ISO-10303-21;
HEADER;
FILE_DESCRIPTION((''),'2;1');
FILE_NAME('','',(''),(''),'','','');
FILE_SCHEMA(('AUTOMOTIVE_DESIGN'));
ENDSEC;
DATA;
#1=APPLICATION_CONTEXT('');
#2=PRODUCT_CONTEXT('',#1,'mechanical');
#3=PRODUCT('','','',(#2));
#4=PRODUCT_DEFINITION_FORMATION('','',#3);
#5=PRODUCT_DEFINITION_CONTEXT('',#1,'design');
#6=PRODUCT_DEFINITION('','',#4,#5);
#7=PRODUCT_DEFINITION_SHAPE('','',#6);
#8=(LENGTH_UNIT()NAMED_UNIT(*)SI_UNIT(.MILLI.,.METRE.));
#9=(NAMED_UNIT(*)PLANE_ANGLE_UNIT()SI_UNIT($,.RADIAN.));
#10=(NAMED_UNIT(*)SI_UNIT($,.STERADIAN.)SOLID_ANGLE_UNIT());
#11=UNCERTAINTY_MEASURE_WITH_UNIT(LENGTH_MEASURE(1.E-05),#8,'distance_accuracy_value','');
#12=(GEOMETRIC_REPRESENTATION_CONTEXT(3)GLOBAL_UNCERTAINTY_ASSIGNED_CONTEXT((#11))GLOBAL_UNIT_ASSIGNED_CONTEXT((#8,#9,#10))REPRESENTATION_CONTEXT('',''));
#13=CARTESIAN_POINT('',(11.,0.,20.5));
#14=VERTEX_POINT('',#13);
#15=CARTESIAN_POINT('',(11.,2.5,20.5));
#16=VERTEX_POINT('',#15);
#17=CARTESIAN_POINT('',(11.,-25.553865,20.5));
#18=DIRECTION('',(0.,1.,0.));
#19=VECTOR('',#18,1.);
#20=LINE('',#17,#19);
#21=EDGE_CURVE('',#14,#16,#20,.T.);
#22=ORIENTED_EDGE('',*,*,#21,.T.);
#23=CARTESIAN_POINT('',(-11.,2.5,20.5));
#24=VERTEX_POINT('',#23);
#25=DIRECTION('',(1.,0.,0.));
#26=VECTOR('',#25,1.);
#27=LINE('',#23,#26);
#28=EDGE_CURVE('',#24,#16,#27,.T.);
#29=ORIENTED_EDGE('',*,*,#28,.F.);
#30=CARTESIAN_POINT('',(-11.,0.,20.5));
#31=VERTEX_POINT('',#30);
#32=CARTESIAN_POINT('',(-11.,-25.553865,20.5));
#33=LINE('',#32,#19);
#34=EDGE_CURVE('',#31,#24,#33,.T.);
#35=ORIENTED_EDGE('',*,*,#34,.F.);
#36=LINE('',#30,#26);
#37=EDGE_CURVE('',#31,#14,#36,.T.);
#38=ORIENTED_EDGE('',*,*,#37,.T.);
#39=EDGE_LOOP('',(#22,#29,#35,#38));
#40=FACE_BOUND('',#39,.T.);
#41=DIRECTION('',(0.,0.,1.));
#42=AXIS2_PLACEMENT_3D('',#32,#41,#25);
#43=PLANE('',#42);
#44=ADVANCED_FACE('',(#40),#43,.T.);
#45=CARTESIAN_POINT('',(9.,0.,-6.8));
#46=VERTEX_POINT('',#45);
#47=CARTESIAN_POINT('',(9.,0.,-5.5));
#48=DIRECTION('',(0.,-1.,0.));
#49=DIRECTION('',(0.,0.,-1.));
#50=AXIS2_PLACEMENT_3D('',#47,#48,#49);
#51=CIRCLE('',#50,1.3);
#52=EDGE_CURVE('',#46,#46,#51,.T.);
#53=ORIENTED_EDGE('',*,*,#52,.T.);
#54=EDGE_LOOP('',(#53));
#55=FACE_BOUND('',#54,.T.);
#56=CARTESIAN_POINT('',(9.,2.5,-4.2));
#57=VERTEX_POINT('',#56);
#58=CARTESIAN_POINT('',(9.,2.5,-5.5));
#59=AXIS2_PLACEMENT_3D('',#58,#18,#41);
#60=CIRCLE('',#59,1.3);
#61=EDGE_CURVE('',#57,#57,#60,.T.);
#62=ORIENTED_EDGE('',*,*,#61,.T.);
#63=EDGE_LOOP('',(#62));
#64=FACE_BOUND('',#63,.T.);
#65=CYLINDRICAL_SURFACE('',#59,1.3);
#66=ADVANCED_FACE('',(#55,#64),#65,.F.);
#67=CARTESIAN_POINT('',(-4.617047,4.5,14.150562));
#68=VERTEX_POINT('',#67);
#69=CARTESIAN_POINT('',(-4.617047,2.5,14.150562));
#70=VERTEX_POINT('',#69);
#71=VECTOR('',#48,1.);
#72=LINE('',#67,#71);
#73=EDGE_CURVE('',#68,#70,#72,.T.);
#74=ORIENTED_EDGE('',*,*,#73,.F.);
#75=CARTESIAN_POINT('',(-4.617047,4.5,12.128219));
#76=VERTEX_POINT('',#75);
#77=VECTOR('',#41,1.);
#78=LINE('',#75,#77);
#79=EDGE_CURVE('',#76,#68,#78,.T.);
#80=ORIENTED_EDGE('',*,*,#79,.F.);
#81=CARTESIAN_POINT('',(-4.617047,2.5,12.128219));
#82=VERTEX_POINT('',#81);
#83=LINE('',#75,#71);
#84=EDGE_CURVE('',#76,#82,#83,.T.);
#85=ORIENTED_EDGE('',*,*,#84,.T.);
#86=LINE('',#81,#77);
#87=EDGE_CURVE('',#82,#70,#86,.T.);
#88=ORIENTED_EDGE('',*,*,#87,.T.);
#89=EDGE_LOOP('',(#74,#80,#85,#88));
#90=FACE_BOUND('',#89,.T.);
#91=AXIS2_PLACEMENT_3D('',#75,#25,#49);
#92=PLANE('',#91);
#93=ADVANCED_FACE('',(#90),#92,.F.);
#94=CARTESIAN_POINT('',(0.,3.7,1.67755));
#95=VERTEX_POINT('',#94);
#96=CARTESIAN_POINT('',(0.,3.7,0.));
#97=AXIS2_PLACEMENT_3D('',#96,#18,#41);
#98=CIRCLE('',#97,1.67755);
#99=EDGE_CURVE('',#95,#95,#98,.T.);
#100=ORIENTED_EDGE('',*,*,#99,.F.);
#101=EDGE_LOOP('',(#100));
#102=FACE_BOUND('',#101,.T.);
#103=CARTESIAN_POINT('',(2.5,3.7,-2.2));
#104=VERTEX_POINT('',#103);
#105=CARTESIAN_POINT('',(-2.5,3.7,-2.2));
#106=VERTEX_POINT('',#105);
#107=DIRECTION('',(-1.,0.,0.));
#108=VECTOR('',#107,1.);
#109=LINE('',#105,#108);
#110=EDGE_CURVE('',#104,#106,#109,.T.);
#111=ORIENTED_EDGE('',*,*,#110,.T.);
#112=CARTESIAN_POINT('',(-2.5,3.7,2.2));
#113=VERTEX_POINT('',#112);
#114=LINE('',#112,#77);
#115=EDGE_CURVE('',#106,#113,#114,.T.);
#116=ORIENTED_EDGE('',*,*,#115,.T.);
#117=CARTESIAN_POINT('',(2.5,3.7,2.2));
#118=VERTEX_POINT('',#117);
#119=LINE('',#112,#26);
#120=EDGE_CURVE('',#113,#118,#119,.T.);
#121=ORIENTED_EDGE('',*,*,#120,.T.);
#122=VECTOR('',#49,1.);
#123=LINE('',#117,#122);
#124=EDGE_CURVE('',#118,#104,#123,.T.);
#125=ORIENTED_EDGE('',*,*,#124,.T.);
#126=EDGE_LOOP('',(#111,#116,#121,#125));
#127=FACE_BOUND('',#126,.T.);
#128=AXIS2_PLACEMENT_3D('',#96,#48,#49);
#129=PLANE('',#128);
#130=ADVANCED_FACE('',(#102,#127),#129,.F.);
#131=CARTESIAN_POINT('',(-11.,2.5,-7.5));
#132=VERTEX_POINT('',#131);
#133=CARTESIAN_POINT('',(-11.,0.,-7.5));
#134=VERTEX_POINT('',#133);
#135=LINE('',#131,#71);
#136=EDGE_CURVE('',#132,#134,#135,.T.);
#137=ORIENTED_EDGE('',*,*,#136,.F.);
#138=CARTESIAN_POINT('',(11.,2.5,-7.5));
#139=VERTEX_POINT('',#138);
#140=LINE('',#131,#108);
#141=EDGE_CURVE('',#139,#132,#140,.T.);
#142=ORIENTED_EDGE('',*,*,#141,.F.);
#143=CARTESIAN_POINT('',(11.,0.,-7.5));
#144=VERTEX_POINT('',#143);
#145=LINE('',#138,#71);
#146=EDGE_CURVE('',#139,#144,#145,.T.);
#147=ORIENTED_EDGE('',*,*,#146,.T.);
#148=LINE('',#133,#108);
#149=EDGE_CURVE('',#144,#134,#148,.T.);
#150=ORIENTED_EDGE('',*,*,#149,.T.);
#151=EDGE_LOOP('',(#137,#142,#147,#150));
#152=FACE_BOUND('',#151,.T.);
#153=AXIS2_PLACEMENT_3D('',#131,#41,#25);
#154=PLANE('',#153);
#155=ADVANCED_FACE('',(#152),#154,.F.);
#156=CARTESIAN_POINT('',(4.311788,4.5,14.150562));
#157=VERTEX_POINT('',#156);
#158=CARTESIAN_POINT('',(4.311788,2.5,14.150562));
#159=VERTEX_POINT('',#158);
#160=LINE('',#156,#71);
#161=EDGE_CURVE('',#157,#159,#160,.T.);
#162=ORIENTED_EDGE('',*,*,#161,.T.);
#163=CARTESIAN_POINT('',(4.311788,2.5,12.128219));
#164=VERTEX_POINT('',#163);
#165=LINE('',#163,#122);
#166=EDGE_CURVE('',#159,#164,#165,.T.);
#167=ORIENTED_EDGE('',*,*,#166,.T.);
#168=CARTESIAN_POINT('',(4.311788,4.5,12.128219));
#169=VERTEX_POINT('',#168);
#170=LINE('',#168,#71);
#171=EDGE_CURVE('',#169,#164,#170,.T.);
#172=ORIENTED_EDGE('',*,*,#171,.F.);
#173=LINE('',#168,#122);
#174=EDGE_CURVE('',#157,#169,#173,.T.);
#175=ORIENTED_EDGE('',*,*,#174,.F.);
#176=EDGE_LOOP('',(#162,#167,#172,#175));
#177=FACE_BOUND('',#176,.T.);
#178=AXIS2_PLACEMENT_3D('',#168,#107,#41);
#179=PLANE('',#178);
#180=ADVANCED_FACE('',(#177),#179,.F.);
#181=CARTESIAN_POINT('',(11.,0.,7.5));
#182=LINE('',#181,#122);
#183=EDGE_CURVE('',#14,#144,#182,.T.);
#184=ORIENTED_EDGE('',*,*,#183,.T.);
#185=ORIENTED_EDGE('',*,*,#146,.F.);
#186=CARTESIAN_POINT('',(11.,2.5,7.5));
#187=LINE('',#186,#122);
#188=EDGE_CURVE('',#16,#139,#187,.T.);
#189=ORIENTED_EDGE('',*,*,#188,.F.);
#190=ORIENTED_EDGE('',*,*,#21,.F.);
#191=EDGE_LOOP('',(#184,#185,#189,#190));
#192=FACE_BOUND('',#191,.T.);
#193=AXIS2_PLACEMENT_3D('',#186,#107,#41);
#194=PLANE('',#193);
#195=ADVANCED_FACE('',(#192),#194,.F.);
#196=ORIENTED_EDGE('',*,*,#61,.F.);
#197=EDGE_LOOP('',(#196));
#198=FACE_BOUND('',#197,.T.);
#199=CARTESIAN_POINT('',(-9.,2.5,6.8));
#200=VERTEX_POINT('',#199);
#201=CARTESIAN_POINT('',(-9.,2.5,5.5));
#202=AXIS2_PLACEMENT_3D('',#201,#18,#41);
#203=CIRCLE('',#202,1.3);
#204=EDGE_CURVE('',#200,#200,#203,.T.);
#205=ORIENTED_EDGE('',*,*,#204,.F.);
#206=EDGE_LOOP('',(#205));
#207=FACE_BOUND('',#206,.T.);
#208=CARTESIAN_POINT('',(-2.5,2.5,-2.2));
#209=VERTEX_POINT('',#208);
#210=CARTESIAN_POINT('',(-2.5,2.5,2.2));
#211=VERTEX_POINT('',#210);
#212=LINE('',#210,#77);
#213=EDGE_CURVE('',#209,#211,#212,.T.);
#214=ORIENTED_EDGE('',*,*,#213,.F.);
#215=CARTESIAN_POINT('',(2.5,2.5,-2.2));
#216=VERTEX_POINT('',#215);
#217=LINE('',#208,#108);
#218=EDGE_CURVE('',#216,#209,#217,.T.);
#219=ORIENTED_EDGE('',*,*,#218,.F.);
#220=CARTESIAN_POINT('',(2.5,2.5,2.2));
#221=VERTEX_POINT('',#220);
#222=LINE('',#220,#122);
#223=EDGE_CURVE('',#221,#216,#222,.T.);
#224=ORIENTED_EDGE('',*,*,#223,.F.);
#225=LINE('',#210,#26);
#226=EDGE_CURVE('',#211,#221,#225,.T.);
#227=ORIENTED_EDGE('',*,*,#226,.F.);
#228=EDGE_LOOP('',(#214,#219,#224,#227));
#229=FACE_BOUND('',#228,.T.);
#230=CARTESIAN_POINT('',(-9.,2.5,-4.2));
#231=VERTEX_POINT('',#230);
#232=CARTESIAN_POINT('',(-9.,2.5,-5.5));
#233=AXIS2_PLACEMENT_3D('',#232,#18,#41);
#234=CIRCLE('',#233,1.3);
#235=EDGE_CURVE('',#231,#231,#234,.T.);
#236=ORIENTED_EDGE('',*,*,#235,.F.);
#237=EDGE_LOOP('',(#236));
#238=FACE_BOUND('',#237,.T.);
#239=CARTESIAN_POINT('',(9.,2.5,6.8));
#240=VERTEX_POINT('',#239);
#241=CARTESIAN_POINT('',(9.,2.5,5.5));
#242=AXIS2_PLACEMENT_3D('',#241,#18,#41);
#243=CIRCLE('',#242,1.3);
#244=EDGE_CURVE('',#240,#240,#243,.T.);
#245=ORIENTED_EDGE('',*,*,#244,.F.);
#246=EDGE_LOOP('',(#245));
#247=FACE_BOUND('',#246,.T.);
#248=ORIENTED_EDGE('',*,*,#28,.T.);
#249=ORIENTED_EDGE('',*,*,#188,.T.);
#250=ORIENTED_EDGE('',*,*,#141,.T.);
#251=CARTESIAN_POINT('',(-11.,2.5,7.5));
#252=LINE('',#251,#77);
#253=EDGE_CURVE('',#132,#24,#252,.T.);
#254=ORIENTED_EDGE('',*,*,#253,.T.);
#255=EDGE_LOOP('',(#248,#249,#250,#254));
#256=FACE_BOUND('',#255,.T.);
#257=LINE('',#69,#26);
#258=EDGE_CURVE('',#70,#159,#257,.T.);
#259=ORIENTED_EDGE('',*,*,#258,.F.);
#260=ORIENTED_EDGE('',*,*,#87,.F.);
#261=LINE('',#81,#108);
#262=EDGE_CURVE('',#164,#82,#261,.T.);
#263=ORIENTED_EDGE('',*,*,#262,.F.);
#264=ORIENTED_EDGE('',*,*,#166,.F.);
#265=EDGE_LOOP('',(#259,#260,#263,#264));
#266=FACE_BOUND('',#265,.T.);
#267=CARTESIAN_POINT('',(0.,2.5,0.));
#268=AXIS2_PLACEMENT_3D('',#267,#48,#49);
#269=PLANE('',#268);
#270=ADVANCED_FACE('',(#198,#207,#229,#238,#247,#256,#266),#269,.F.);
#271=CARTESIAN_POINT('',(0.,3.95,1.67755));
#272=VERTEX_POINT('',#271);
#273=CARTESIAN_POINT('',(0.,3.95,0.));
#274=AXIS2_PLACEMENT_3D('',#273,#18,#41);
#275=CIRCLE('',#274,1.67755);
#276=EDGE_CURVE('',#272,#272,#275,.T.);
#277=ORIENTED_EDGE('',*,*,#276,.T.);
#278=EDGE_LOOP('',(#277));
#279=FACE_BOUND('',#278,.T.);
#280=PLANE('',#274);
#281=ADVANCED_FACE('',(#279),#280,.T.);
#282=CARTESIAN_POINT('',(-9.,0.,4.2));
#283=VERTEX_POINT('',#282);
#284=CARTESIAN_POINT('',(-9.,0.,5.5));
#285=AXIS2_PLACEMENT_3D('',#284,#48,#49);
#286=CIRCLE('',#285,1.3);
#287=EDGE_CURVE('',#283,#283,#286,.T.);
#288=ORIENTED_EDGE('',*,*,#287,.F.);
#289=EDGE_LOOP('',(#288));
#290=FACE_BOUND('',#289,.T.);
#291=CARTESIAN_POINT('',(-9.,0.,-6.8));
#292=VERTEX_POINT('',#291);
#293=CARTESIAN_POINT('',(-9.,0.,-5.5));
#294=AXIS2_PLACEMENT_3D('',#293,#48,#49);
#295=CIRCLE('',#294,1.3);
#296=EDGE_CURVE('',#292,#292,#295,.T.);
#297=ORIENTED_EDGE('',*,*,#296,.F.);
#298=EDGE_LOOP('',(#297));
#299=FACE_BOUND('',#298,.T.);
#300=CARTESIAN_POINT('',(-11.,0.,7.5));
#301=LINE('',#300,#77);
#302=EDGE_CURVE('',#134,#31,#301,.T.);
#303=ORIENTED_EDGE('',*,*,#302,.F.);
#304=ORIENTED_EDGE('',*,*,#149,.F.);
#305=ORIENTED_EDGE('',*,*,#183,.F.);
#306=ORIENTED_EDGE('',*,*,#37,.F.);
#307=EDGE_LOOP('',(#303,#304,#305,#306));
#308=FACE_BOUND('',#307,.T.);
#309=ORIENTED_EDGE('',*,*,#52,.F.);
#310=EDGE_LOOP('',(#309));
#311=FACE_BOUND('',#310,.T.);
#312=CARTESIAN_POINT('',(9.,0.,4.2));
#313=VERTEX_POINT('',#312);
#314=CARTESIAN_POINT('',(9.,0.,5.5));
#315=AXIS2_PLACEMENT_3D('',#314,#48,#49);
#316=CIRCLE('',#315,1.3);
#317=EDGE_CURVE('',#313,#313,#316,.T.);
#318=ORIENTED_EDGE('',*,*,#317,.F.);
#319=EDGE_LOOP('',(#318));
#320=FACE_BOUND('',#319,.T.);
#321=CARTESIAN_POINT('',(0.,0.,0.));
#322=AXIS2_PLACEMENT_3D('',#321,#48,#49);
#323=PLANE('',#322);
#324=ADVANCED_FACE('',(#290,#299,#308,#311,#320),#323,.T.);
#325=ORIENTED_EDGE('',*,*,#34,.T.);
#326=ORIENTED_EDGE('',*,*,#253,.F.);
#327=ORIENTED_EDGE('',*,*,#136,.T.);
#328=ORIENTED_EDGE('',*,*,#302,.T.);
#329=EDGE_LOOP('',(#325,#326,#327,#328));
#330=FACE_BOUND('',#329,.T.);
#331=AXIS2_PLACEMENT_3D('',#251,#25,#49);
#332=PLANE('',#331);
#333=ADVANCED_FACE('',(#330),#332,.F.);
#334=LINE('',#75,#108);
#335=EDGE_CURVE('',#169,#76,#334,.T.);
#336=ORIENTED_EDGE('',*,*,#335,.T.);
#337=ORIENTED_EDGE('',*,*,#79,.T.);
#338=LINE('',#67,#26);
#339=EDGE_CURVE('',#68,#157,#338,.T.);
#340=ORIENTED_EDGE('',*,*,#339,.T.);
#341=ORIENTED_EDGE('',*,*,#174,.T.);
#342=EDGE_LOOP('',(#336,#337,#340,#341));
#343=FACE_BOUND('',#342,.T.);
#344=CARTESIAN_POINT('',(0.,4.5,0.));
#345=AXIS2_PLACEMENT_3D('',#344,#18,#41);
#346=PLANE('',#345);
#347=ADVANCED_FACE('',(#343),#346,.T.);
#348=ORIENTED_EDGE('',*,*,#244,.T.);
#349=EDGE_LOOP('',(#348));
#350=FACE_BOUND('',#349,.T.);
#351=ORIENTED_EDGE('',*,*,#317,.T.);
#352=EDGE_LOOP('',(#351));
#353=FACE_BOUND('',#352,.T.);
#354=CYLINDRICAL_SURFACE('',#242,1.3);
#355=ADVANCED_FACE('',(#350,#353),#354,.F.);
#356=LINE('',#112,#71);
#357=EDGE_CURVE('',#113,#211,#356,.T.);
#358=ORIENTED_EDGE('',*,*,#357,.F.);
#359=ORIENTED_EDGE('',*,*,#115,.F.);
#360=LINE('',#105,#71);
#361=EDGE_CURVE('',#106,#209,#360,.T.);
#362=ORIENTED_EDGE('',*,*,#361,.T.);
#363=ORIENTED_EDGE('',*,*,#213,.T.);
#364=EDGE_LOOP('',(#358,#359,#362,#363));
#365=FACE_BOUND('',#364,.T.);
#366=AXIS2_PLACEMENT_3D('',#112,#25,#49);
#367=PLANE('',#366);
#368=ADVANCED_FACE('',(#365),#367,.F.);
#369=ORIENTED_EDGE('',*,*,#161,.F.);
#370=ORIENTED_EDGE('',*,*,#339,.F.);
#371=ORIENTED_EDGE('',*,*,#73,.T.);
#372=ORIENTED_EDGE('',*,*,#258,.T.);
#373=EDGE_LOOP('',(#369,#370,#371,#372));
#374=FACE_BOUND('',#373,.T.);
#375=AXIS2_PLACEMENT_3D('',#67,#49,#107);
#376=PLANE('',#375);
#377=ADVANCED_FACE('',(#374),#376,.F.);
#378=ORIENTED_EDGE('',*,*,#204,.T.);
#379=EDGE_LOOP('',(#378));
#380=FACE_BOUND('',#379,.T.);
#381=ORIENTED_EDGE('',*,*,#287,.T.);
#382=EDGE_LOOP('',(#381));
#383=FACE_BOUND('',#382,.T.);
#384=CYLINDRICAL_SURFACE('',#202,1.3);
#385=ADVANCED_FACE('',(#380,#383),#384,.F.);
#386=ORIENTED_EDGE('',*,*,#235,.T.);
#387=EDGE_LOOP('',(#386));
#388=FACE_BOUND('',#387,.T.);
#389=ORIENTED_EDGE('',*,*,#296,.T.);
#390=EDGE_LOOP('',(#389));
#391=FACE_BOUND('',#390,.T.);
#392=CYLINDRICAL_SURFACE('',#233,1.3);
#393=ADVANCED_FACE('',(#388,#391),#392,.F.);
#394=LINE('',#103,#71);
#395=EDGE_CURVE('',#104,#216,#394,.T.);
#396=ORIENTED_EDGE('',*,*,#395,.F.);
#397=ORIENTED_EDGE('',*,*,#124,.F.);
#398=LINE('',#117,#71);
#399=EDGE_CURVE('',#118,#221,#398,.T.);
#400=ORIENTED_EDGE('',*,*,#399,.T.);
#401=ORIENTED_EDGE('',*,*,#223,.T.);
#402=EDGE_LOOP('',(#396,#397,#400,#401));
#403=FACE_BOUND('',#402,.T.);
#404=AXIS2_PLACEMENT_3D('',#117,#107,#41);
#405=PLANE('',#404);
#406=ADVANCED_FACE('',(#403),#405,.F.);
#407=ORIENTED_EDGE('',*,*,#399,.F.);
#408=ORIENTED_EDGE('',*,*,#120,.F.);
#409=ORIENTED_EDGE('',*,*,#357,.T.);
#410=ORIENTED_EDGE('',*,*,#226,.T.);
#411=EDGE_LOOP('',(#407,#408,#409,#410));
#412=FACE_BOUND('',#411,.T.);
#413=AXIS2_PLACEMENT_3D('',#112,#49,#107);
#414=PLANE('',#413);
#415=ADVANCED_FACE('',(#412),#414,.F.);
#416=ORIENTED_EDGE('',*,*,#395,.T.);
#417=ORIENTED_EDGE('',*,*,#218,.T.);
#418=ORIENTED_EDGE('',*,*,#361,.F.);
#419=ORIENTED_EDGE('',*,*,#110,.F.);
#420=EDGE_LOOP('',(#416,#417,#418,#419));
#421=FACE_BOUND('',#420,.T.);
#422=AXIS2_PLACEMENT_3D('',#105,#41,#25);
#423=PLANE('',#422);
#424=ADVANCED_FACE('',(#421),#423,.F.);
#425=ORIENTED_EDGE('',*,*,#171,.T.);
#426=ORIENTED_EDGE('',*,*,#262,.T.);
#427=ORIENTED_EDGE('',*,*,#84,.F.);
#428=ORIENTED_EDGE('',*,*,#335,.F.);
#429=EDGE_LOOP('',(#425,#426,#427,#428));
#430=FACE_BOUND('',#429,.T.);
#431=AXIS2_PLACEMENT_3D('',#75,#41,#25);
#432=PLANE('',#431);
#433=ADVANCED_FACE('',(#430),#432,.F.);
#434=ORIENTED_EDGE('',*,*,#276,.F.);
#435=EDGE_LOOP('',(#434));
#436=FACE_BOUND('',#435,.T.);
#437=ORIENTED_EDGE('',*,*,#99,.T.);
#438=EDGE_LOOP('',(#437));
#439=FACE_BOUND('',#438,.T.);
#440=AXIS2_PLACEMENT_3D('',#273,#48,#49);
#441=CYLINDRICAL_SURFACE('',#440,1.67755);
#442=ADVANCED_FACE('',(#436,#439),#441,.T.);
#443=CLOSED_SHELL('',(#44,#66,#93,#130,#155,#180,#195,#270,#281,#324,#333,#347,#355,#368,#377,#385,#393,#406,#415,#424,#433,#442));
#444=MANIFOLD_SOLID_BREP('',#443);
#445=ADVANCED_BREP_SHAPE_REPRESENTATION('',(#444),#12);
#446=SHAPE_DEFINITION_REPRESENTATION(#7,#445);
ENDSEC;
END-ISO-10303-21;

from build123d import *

# Parameters (mm, degrees)
SKETCH1_W                 = 22
SKETCH1_H                 = 15
BOSS_EXTRUDE1_DEPTH       = 2.5
F_1_0MM_DOWEL_HOLE1_D     = 2.6
F_1_0MM_DOWEL_HOLE1_DEPTH = 6.35
F_1_0MM_DOWEL_HOLE1_TIP   = 0.781118805
SKETCH4_W                 = 5
SKETCH4_H                 = 4.4
BOSS_EXTRUDE2_DEPTH       = 1.2
SKETCH5_W                 = 22
SKETCH5_H                 = 13
BOSS_EXTRUDE3_DEPTH       = 2.5
SKETCH6_W                 = 8.928834932
SKETCH6_H                 = 2.022342955
BOSS_EXTRUDE4_DEPTH       = 2
SKETCH7_R                 = 1.677550445
BOSS_EXTRUDE5_DEPTH       = 0.25


with BuildPart() as part:
    # Sketch1 → Boss-Extrude1 (new body)
    with BuildSketch(Plane(origin=(0, 0, 0), x_dir=(1, 0, 0), z_dir=(0, 1, 0))):
        Rectangle(SKETCH1_W, SKETCH1_H)
    extrude(amount=BOSS_EXTRUDE1_DEPTH)

    # Ø1.0mm Dowel Hole1
    with Locations(Plane(origin=(0, 2.5, 0), x_dir=(1, 0, 0), z_dir=(0, 1, 0))):
        with Locations((-9, 5.5), (9, 5.5), (9, -5.5), (-9, -5.5)):
            Hole(F_1_0MM_DOWEL_HOLE1_D / 2, depth=F_1_0MM_DOWEL_HOLE1_DEPTH)
            with Locations((0, 0, -(F_1_0MM_DOWEL_HOLE1_DEPTH + F_1_0MM_DOWEL_HOLE1_TIP / 2))):  # 118° drill point
                Cone(0, F_1_0MM_DOWEL_HOLE1_D / 2, F_1_0MM_DOWEL_HOLE1_TIP, mode=Mode.SUBTRACT)

    # Sketch4 → Boss-Extrude2 (add)
    with BuildSketch(Plane(origin=(0, 2.5, 0), x_dir=(1, 0, 0), z_dir=(0, 1, 0))):
        Rectangle(SKETCH4_W, SKETCH4_H)
    extrude(amount=BOSS_EXTRUDE2_DEPTH)

    # Sketch5 → Boss-Extrude3 (add)
    with BuildSketch(Plane(origin=(0, 2.5, 0), x_dir=(1, 0, 0), z_dir=(0, 1, 0))):
        with Locations((0, -14)):
            Rectangle(SKETCH5_W, SKETCH5_H)
    extrude(amount=-BOSS_EXTRUDE3_DEPTH)

    # Sketch6 → Boss-Extrude4 (add)
    with BuildSketch(Plane(origin=(0, 2.5, 0), x_dir=(1, 0, 0), z_dir=(0, 1, 0))):
        with Locations((-0.152629657, -13.139390077)):
            Rectangle(SKETCH6_W, SKETCH6_H)
    extrude(amount=BOSS_EXTRUDE4_DEPTH)

    # Sketch7 → Boss-Extrude5 (add)
    with BuildSketch(Plane(origin=(0, 3.7, 0), x_dir=(1, 0, 0), z_dir=(0, 1, 0))):
        Circle(SKETCH7_R)
    extrude(amount=BOSS_EXTRUDE5_DEPTH)


solid = part.part
